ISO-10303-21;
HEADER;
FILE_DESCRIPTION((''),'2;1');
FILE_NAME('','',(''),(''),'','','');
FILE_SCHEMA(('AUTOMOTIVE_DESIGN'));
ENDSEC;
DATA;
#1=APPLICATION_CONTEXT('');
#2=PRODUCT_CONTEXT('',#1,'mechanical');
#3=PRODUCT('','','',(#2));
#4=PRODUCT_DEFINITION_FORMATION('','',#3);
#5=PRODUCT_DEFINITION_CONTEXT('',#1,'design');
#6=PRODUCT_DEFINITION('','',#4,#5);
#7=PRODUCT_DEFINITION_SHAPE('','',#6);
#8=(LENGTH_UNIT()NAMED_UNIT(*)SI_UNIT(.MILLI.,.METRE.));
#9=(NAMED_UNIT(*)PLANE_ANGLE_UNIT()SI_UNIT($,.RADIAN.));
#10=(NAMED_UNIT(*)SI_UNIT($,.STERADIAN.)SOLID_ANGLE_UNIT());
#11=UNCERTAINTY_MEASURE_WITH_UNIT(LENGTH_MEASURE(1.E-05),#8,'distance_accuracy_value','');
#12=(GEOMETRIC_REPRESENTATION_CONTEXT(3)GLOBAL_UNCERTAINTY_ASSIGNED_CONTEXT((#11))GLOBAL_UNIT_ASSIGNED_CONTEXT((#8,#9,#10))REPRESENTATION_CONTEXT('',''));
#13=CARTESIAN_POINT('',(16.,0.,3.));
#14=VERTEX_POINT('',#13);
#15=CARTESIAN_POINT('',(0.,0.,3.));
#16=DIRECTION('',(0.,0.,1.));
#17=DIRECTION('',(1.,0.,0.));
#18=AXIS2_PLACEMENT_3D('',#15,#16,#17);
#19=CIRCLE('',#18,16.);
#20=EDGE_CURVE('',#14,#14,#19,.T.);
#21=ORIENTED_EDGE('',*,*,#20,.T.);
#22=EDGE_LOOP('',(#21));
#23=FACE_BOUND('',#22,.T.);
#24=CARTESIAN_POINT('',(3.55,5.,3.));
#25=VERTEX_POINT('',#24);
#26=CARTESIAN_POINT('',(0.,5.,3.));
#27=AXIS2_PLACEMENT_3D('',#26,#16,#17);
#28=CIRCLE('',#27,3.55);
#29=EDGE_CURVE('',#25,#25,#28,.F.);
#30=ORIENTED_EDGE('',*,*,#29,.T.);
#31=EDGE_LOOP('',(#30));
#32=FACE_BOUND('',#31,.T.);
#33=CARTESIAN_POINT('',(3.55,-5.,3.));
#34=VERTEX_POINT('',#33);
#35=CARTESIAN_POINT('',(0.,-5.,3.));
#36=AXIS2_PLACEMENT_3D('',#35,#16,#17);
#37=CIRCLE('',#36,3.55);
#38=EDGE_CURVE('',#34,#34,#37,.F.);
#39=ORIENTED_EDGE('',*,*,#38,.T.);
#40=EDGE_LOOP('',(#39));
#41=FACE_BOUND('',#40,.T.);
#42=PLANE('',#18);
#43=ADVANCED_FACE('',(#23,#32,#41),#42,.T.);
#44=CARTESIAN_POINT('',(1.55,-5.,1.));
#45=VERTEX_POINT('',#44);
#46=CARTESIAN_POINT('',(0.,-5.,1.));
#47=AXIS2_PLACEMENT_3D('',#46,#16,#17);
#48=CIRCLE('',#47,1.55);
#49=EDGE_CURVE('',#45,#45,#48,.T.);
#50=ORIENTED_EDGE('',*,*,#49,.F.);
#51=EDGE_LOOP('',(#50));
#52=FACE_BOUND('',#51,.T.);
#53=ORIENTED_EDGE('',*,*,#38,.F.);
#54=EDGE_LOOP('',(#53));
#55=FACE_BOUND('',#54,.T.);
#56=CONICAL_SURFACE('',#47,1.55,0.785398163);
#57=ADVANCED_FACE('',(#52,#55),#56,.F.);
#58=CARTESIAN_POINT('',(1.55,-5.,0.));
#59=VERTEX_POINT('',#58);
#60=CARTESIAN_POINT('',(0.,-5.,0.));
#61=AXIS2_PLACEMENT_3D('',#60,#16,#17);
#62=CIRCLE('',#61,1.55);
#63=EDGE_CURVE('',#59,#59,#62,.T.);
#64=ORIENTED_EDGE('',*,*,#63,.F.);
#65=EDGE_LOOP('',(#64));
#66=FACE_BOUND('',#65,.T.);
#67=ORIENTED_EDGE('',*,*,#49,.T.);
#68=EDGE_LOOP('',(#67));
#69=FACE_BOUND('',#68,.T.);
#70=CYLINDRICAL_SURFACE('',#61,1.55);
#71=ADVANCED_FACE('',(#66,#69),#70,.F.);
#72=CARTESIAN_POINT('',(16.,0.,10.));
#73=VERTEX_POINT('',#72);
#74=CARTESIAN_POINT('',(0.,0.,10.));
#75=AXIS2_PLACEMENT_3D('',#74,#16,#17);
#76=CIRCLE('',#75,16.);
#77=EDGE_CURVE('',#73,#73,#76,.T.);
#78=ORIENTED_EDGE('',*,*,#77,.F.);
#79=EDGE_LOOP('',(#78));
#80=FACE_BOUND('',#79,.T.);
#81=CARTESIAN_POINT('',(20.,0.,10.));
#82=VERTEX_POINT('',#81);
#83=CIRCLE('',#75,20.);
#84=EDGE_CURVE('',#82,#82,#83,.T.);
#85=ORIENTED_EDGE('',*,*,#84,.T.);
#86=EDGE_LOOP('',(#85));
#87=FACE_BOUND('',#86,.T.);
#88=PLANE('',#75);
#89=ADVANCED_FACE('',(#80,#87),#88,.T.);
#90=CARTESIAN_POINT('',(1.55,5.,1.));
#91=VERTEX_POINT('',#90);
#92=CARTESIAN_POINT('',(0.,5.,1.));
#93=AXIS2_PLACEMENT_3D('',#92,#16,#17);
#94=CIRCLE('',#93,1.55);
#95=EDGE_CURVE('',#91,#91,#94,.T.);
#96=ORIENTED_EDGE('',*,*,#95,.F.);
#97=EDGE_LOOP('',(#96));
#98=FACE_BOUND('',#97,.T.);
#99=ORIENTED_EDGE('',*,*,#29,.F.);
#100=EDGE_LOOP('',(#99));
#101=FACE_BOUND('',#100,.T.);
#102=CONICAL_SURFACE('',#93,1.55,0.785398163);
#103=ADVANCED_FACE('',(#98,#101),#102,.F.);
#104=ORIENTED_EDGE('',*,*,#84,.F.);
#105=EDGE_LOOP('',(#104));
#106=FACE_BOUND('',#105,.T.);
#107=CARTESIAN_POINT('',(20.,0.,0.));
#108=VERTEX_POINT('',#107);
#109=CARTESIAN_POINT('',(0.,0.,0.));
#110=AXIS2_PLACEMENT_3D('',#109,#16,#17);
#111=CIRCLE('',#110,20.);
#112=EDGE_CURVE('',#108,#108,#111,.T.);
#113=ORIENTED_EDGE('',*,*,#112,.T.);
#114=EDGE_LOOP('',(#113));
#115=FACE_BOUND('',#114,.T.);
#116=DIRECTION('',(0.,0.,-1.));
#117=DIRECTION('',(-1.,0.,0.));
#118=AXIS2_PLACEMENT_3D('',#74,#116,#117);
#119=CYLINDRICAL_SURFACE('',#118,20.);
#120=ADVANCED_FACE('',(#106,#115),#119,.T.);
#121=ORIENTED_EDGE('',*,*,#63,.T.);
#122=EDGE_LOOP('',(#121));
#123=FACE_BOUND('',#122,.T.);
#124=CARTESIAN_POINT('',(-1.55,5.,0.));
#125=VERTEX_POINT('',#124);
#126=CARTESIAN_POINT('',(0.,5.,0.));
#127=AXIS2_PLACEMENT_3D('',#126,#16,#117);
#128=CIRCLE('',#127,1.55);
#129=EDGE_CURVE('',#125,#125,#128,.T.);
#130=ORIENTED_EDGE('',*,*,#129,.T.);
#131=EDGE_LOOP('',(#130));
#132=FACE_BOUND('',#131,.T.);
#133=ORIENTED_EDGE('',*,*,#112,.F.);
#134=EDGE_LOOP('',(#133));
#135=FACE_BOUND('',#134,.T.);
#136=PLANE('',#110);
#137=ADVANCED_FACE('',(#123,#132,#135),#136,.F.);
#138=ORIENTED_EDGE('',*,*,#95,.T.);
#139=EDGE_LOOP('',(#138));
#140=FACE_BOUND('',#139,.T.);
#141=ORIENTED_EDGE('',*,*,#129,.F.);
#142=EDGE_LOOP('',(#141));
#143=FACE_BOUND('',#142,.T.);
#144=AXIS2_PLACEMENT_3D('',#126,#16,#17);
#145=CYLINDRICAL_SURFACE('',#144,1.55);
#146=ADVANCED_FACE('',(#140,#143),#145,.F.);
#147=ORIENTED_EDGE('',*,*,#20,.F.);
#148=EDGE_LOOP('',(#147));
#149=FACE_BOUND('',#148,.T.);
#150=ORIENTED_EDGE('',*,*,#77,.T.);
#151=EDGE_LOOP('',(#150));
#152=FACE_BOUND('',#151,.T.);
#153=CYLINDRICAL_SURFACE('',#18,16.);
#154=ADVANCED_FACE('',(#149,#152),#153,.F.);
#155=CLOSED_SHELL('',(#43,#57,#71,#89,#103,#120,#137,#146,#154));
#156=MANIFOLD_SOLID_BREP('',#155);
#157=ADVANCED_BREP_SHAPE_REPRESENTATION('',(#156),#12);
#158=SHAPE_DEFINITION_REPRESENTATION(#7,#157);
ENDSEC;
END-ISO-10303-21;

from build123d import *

# Parameters (mm, degrees)
SKETCH1_R           = 20
BOSS_EXTRUDE1_DEPTH = 10
SKETCH2_R           = 16
CUT_EXTRUDE1_DEPTH  = 7
SKETCH3_R           = 1.55
CUT_EXTRUDE2_DEPTH  = 4
CHAMFER1_SIZE       = 2


with BuildPart() as part:
    # Sketch1 → Boss-Extrude1 (new body)
    with BuildSketch(Plane.XY):
        Circle(SKETCH1_R)
    extrude(amount=BOSS_EXTRUDE1_DEPTH)

    # Sketch2 → Cut-Extrude1 (cut)
    with BuildSketch(Plane.XY.offset(10)):
        Circle(SKETCH2_R)
    extrude(amount=-CUT_EXTRUDE1_DEPTH, mode=Mode.SUBTRACT)

    # Sketch3 → Cut-Extrude2 (cut, through all)
    with BuildSketch(Plane.XY.offset(3)):
        with Locations((0, -5)):
            Circle(SKETCH3_R)
        with Locations((0, 5)):
            Circle(SKETCH3_R)
    extrude(amount=-CUT_EXTRUDE2_DEPTH, mode=Mode.SUBTRACT)

    # Chamfer1
    chamfer1_edges = [part.edges().sort_by_distance(p)[0] for p in [
        (-1.55, -5, 3),
        (-1.55, 5, 3),
    ]]
    chamfer(chamfer1_edges, length=CHAMFER1_SIZE)


solid = part.part
